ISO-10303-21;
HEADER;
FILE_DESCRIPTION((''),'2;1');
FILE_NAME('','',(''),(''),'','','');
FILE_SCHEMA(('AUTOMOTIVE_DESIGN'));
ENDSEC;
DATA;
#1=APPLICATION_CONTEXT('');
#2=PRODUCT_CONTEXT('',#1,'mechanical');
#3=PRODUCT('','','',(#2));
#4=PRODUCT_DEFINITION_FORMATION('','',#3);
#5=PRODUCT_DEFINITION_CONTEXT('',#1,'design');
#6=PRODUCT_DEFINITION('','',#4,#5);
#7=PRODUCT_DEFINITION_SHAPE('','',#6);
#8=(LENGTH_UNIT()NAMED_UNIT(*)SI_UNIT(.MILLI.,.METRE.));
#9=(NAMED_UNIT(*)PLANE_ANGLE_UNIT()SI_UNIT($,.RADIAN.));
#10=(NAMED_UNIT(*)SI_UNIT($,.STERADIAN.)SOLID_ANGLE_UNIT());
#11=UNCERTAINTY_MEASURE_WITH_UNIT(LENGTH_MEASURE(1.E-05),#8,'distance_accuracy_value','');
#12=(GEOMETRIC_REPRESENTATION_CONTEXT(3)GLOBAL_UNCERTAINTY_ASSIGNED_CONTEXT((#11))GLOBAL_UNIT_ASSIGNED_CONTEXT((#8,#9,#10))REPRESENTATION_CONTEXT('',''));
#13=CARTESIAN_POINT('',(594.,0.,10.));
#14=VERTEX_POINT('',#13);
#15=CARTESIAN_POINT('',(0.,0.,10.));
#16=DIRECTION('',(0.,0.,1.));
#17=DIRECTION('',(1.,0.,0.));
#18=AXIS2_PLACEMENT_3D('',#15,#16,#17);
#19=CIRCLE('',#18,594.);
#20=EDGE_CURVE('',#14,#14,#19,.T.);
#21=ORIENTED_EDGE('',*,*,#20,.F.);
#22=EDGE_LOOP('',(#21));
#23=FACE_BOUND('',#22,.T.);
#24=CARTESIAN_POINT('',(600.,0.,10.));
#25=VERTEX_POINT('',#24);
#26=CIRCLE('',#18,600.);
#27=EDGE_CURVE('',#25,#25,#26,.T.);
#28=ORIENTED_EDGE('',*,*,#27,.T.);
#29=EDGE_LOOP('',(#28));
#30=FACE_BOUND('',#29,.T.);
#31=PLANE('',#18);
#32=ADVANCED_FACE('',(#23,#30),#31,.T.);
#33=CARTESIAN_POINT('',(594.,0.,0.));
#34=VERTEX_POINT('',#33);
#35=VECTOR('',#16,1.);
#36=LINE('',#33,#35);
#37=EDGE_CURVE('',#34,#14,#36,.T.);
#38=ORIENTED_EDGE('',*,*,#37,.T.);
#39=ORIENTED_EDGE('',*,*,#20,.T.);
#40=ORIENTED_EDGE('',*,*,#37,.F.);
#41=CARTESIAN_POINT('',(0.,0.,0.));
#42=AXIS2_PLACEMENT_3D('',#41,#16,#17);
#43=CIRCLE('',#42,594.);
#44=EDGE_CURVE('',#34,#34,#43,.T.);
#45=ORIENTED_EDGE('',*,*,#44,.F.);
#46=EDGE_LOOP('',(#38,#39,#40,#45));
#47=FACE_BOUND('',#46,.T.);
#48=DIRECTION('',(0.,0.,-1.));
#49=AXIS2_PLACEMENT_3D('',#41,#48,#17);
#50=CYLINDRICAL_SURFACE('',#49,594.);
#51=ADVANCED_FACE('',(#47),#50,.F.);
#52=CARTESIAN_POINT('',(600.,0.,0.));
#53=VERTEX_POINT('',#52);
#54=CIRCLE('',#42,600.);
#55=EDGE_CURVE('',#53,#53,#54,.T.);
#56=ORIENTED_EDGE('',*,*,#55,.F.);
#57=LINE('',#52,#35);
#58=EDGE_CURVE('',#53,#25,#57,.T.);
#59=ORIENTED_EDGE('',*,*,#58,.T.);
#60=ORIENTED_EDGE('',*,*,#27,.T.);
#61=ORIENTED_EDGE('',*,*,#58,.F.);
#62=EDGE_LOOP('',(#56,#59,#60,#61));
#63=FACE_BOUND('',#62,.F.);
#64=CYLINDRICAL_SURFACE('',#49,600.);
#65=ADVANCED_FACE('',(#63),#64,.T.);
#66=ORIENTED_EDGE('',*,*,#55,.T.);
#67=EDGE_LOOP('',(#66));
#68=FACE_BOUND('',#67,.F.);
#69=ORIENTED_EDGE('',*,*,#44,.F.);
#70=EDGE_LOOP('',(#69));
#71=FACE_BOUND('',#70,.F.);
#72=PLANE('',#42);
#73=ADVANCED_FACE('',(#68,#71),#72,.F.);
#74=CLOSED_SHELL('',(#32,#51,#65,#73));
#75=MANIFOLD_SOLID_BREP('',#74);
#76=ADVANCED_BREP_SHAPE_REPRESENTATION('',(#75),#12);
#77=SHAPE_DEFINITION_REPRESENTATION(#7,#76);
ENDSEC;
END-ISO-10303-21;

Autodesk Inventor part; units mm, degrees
ref_plane "YZ Plane" through (0, 0, 0) normal (1, 0, 0) x (0, 1, 0)
ref_plane "XZ Plane" through (0, 0, 0) normal (0, 1, 0) x (-1, 0, 0)
ref_plane "XY Plane" through (0, 0, 0) normal (0, 0, 1) x (1, 0, 0)
sketch "Sketch1" plane through (0, 0, 0) normal (0, 0, 1) x (1, 0, 0)
  circle A0 centre (0, 0) radius 600
  circle A1 centre (0, 0) radius 594
  dimension "d0" = 1200
  dimension "d1" = 6
extrude "Extrusion1" add sketch "Sketch1" along normal blind 10
sketch "Sketch2" plane through (0, 0, 0) normal (0, 0, 1) x (1, 0, 0)
  circle A0 centre (0, 0) radius 517.8803 construction
  circle A1 centre (0, 0) radius 400.2499 construction
  circle A2 centre (0, 0) radius 256.3201 construction
  circle A3 centre (90, -90) radius 95
  circle A4 centre (-90, -90) radius 95
  circle A5 centre (-90, 90) radius 95
  circle A6 centre (90, 90) radius 95
  line L0 (90, 90) -> (-90, 90)
  line L1 (-90, 90) -> (-90, -90)
  line L2 (-90, -90) -> (90, -90)
  line L3 (90, -90) -> (90, 90)
  line L4 (90, 90) -> (-90, -90) construction
  line L5 (-90, 90) -> (90, -90) construction
  circle A7 centre (-240, -90) radius 95
  circle A8 centre (-390, -90) radius 95
  circle A9 centre (-510, -90) radius 95
  circle A10 centre (-90, -270) radius 95
  circle A11 centre (-90, -500) radius 95
  circle A12 centre (-290, -270) radius 95
  circle A13 centre (-450, -270) radius 95
  circle A14 centre (-340, -400) radius 95
  circle A15 centre (-240, 90) radius 95
  circle A16 centre (-390, 90) radius 95
  circle A17 centre (-510, 90) radius 95
  line L6 (-90, -90) -> (-510, -90)
  line L7 (0, 0) -> (0, -500)
  line L8 (0, -500) -> (-90, -500)
  line L9 (0, -400) -> (-340, -400)
  line L10 (0, -270) -> (-450, -270)
  circle A18 centre (-190, -400) radius 95
  dimension "d4" = 190
  dimension "d7" = 90
  dimension "d8" = 270
  dimension "d9" = 400
  dimension "d10" = 500
  dimension "d11" = 240
  dimension "d12" = 390
  dimension "d13" = 510
  dimension "d14" = 90
  dimension "d15" = 90
  dimension "d16" = 290
  dimension "d17" = 450
  dimension "d18" = 190
  dimension "d19" = 340
  dimension "d20" = 90
sketch "Sketch3" plane through (0, 0, 0) normal (0, 0, 1) x (1, 0, 0)
  circle A0 centre (-104.0992, -233.3488) radius 95
  circle A1 centre (-161.9131, -395.3117) radius 95
  circle A2 centre (-91.7953, -514.3257) radius 95
  circle A3 centre (-280.9346, -260.412) radius 95
  circle A4 centre (-299.5406, -418.8761) radius 95
  circle A5 centre (-250.7395, 99.5106) radius 95
  circle A6 centre (-395.8303, 87.9315) radius 95
  circle A7 centre (-535.2648, 91.0733) radius 95
  circle A8 centre (-460.3613, -287.8718) radius 95
  circle A9 centre (-531.2922, -111.9436) radius 95
  circle A10 centre (-392.3143, -102.4845) radius 95
  circle A11 centre (0, 0) radius 542.9574 construction
  circle A12 centre (-253.2201, -93.0176) radius 95
  circle A13 centre (-90.4998, -81.9426) radius 95
  circle A14 centre (85.6841, -88.1302) radius 95
  circle A15 centre (-90.4998, 88.0537) radius 95
  circle A16 centre (0, 0) radius 405.4794 construction
  circle A17 centre (0, 0) radius 269.7641 construction
  circle A18 centre (85.6841, 88.0537) radius 95
  line L0 (0, 0) -> (0, -542.9574)
  line L1 (0, -75.783) -> (-531.2922, -111.9436)
  line L2 (0, -217.4173) -> (-460.3613, -287.8718)
  circle A19 centre (0, 0) radius 600
  line L3 (0, -367.5891) -> (-299.5406, -418.8761)
  line L4 (-91.7953, -514.3257) -> (0, -514.3257)
  point P0 (0, 0)
  dimension "d21" = 190
  dimension "d22" = 1200
equation "\"d14\" = d7"
equation "\"d15\" = d7"
equation "\"BendRadius\" = Thickness"
equation "\"BendReliefWidth\" = Thickness"
equation "\"BendReliefDepth\" = 0.5 * Thickness"
equation "\"CornerReliefSize\" = 4 * Thickness"
equation "\"MinimumRemnant\" = 2 * Thickness"
equation "\"TransitionRadius\" = BendRadius"
equation "\"JacobiRadiusSize\" = BendRadius"
equation "\"GapSize\" = Thickness"
equation "\"way_tube_L1\" = 1"
equation "\"way_tube_L2\" = 1"
equation "\"way_tube_L3\" = 1"
equation "\"way_tube_L4\" = 1"
equation "\"way_tube_L5\" = 120"
equation "\"way_tube_L6\" = 90"
equation "\"way_tube_L7\" = 20"
equation "\"way_tube_L8\" = 90"
equation "\"way_tube_L9\" = 80"
equation "\"way_tube_L10\" = 80"
equation "\"Thickness\" = 3.048"
properties part number "APN 1759 DIM filter-distribution-system 1200"
